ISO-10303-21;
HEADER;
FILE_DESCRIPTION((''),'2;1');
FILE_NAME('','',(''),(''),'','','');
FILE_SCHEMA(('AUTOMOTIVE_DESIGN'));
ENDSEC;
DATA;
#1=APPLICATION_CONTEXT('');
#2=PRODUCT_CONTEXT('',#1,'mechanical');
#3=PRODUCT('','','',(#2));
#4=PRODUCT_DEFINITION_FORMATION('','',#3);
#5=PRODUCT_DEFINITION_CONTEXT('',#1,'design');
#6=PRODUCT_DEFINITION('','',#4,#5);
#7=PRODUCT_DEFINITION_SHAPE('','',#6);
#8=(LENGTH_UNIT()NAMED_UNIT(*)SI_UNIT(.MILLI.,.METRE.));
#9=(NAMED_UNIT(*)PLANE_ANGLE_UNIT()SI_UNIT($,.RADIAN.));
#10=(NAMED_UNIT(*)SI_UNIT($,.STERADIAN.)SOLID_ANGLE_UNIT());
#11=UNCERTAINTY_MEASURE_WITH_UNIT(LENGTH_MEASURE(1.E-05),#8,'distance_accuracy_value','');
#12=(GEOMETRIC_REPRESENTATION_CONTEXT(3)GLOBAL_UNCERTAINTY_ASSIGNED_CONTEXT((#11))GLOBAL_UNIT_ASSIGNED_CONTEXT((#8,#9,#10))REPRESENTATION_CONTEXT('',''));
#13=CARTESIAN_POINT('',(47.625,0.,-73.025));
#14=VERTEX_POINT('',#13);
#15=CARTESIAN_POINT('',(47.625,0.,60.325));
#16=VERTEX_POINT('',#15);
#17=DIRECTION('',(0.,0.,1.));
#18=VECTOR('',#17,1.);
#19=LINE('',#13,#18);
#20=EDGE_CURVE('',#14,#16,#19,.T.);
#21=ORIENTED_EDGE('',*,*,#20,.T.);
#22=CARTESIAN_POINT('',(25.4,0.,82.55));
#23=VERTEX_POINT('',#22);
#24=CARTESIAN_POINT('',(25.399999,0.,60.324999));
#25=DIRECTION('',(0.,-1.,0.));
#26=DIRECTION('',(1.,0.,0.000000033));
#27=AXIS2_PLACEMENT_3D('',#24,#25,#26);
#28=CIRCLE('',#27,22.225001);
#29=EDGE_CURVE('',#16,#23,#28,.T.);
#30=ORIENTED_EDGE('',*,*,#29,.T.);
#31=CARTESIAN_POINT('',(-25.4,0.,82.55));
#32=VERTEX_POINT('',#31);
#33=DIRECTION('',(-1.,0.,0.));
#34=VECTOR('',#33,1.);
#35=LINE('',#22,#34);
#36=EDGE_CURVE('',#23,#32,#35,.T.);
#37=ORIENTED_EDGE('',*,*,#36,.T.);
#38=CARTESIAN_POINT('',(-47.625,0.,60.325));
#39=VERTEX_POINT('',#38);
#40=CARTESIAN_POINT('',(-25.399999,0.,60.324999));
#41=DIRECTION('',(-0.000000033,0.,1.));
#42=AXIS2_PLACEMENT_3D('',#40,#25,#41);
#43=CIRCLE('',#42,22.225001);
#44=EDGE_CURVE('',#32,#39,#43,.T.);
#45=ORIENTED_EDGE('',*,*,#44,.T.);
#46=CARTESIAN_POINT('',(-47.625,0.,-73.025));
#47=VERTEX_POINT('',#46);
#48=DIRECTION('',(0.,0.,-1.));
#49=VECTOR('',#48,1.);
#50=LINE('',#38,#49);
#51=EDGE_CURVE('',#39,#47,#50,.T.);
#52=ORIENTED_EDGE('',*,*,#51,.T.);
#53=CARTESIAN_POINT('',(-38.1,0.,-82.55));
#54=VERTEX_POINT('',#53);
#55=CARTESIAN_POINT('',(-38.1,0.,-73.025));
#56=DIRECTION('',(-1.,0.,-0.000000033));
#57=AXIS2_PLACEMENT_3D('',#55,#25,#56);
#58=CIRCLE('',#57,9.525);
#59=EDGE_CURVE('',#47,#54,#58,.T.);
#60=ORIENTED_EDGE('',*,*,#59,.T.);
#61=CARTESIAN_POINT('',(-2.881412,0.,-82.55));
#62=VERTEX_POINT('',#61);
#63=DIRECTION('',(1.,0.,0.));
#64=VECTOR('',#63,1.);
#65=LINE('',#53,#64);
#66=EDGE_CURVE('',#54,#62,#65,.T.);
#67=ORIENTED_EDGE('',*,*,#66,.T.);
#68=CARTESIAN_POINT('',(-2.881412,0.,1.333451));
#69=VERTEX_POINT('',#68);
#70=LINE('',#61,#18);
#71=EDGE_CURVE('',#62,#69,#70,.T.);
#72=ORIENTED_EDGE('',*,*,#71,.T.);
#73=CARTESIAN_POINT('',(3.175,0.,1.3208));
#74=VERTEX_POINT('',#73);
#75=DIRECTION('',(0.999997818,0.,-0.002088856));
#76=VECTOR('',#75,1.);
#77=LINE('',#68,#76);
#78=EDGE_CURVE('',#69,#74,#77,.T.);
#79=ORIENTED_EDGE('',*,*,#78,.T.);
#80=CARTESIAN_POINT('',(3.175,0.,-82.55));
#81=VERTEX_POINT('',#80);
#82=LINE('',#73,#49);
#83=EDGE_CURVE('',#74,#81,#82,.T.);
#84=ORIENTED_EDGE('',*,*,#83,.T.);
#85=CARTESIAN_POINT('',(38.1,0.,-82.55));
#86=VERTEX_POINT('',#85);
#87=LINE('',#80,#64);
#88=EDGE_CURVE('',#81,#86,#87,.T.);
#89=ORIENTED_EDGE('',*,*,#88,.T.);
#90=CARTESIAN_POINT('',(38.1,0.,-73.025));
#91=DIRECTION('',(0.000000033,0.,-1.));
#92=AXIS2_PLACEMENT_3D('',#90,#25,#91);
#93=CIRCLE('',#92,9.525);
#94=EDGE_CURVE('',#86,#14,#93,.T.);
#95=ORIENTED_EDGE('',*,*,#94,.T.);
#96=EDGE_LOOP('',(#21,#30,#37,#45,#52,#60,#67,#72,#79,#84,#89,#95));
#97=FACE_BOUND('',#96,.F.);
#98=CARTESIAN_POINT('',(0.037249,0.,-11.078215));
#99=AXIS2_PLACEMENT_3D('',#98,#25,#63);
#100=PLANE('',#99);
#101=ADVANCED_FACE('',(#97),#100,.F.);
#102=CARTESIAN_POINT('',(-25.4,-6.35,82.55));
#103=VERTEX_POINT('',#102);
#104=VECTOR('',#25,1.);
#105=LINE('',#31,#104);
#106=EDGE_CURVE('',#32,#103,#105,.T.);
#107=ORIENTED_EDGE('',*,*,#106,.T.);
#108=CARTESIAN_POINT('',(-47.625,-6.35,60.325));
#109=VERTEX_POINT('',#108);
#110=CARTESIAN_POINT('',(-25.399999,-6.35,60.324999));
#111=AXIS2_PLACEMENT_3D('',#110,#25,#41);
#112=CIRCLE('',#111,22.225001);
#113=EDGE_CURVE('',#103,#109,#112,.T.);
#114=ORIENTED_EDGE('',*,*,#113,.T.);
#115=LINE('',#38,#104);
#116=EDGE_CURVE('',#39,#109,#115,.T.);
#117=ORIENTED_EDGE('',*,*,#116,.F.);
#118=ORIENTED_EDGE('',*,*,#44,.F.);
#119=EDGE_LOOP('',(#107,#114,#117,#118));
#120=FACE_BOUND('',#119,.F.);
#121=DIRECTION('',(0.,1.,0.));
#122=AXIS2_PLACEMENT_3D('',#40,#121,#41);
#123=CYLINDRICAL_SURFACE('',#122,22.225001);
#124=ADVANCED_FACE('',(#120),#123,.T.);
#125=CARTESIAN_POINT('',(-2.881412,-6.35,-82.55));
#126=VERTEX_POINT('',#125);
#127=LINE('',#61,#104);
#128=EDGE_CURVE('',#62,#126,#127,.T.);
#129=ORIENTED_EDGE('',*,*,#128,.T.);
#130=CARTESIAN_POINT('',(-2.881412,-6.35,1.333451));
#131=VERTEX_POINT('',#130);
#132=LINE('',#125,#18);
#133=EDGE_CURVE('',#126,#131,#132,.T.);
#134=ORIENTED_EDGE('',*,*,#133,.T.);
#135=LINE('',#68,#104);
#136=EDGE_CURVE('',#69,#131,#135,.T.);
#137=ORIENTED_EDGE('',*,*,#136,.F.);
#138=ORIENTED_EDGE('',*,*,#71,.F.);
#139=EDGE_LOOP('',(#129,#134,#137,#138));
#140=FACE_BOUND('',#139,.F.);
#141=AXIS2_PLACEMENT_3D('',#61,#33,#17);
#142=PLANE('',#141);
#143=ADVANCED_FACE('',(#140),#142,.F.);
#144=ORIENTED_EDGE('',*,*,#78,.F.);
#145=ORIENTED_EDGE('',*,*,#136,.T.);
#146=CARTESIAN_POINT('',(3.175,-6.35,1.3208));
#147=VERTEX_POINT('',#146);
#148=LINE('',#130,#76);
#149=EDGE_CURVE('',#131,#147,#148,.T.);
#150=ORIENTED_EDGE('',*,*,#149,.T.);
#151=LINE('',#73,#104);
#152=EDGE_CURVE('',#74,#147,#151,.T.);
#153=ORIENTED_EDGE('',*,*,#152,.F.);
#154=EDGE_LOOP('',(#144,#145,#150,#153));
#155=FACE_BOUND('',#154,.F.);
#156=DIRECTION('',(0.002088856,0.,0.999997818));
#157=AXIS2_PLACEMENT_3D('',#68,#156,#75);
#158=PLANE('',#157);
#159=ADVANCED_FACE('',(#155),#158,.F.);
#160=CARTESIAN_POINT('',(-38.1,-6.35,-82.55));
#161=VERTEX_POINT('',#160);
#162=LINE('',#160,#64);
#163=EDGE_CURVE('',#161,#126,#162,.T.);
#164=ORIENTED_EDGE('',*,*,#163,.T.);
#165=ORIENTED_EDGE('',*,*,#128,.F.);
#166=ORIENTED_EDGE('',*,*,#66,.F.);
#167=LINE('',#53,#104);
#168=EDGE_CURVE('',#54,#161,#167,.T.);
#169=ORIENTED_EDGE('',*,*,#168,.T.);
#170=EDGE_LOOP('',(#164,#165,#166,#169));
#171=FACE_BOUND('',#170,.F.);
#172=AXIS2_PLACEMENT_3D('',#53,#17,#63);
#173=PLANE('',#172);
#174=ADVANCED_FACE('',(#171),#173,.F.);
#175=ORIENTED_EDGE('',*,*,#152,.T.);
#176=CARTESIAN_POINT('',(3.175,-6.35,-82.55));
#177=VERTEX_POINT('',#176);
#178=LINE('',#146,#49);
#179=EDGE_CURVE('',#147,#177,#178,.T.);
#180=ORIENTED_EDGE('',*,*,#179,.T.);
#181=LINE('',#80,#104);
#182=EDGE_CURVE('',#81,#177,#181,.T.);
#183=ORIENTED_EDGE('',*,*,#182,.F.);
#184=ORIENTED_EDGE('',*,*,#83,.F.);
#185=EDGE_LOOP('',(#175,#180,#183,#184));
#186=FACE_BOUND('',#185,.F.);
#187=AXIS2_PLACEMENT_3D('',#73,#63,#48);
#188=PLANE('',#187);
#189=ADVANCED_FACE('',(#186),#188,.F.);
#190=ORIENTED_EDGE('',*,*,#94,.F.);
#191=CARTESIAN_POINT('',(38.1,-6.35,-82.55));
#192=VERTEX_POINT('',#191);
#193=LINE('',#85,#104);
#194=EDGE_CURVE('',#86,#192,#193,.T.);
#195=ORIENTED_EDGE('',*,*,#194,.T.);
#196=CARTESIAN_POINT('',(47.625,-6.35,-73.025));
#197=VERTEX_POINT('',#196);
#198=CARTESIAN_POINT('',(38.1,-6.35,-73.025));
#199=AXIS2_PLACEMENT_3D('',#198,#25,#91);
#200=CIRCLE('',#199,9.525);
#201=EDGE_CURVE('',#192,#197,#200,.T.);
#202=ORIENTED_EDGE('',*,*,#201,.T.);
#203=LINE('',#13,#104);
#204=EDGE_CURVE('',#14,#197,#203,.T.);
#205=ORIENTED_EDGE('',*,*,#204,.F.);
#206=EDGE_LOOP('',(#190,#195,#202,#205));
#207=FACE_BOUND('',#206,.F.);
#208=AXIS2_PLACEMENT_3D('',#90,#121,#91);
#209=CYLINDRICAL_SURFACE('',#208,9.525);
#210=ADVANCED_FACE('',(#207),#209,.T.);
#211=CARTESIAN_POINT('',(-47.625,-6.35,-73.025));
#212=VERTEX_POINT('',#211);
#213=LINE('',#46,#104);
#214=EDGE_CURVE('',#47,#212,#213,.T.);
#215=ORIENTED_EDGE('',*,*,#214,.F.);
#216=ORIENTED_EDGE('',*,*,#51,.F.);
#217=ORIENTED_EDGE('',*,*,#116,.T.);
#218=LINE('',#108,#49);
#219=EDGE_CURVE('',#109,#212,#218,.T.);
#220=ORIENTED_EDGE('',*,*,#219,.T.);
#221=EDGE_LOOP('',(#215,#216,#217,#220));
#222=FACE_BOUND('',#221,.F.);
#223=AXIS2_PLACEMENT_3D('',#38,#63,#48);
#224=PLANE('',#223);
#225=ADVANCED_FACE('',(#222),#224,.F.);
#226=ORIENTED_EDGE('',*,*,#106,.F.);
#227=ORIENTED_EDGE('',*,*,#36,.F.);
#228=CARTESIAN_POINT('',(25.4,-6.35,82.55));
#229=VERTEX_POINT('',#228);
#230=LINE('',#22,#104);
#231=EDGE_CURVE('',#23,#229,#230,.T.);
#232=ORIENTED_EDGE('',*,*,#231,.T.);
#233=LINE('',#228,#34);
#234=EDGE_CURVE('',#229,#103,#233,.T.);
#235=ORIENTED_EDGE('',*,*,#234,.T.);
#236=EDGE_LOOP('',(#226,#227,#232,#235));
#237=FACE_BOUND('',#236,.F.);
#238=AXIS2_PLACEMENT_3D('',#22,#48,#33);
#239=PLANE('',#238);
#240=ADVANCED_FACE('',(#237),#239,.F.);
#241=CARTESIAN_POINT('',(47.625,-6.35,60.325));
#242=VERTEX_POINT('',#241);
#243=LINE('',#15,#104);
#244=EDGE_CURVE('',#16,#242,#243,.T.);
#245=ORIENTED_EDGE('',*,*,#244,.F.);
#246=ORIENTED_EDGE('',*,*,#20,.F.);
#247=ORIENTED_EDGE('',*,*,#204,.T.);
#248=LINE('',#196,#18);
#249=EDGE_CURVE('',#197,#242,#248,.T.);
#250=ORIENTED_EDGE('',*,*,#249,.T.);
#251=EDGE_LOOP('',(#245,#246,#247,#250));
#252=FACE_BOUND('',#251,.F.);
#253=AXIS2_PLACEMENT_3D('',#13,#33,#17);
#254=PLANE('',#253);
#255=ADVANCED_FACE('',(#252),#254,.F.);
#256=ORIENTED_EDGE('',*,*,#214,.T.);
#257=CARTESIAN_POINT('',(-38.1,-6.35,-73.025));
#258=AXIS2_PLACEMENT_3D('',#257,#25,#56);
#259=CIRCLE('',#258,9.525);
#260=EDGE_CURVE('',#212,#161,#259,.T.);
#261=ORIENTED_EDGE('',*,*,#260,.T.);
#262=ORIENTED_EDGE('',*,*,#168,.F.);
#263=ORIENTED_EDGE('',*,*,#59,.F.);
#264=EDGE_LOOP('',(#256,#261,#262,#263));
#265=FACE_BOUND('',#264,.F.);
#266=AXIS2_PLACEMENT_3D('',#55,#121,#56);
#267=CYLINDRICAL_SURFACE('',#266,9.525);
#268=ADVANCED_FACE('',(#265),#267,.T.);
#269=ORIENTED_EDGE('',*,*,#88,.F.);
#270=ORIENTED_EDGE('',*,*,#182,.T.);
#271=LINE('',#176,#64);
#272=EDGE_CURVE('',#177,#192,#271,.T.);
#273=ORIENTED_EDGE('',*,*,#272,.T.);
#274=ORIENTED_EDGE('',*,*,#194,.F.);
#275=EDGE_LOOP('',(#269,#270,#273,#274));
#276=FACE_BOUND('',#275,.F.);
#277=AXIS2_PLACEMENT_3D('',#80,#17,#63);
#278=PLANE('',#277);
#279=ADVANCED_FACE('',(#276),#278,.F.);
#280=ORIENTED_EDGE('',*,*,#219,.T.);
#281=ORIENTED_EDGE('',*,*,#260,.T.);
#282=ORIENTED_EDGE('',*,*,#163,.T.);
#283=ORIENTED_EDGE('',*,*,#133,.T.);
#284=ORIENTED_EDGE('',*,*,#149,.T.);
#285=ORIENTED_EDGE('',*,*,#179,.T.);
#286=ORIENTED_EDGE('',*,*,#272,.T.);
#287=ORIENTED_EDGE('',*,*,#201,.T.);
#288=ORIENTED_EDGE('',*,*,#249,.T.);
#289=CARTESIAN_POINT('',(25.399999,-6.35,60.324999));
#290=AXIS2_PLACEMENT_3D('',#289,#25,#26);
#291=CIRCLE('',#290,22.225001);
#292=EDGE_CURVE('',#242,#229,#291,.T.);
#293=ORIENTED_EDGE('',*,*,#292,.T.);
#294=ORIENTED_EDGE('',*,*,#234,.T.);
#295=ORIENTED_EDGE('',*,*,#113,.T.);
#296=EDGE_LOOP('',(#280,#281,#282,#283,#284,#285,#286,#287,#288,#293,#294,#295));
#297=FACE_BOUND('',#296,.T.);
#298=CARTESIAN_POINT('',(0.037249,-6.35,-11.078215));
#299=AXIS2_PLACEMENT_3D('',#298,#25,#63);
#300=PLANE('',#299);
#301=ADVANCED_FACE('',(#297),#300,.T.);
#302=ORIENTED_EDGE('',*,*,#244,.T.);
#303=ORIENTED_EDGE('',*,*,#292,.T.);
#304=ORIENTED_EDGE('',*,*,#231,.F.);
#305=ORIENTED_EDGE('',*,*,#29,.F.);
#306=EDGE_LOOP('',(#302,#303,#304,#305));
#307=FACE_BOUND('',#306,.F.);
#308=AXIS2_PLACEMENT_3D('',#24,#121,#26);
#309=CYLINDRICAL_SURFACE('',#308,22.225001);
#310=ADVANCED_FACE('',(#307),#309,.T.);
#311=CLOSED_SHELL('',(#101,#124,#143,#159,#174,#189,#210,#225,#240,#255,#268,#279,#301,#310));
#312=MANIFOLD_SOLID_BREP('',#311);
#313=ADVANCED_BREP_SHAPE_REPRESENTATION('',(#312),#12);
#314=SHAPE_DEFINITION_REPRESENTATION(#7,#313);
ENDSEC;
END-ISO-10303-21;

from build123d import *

# Parameters (mm, degrees)
F1_DEPTH = 6.35


with BuildPart() as f1:
    # F0 (on Front) → F1 (new body)
    with BuildSketch(Plane.XZ):
        with BuildLine():
            Line((3.175, -82.55), (38.1, -82.55))
            ThreePointArc((38.1, -82.55), (44.835192, -79.760192), (47.625, -73.025))
            Line((47.625, -73.025), (47.625, 60.325))
            ThreePointArc((47.625, 60.325), (41.115448, 76.040448), (25.4, 82.55))
            Line((25.4, 82.55), (3.175, 82.55))
            Line((3.175, 82.55), (-2.881412, 82.55))
            Line((-2.881412, 82.55), (-25.4, 82.55))
            ThreePointArc((-25.4, 82.55), (-41.115448, 76.040448), (-47.625, 60.325))
            Line((-47.625, 60.325), (-47.625, -73.025))
            ThreePointArc((-47.625, -73.025), (-44.835192, -79.760192), (-38.1, -82.55))
            Line((-38.1, -82.55), (-2.881412, -82.55))
            Line((-2.881412, -82.55), (-2.881412, 1.333451))
            Line((-2.881412, 1.333451), (3.175, 1.3208))
            Line((3.175, 1.3208), (3.175, -82.55))
        make_face()
    extrude(amount=F1_DEPTH)


solid = f1.part
